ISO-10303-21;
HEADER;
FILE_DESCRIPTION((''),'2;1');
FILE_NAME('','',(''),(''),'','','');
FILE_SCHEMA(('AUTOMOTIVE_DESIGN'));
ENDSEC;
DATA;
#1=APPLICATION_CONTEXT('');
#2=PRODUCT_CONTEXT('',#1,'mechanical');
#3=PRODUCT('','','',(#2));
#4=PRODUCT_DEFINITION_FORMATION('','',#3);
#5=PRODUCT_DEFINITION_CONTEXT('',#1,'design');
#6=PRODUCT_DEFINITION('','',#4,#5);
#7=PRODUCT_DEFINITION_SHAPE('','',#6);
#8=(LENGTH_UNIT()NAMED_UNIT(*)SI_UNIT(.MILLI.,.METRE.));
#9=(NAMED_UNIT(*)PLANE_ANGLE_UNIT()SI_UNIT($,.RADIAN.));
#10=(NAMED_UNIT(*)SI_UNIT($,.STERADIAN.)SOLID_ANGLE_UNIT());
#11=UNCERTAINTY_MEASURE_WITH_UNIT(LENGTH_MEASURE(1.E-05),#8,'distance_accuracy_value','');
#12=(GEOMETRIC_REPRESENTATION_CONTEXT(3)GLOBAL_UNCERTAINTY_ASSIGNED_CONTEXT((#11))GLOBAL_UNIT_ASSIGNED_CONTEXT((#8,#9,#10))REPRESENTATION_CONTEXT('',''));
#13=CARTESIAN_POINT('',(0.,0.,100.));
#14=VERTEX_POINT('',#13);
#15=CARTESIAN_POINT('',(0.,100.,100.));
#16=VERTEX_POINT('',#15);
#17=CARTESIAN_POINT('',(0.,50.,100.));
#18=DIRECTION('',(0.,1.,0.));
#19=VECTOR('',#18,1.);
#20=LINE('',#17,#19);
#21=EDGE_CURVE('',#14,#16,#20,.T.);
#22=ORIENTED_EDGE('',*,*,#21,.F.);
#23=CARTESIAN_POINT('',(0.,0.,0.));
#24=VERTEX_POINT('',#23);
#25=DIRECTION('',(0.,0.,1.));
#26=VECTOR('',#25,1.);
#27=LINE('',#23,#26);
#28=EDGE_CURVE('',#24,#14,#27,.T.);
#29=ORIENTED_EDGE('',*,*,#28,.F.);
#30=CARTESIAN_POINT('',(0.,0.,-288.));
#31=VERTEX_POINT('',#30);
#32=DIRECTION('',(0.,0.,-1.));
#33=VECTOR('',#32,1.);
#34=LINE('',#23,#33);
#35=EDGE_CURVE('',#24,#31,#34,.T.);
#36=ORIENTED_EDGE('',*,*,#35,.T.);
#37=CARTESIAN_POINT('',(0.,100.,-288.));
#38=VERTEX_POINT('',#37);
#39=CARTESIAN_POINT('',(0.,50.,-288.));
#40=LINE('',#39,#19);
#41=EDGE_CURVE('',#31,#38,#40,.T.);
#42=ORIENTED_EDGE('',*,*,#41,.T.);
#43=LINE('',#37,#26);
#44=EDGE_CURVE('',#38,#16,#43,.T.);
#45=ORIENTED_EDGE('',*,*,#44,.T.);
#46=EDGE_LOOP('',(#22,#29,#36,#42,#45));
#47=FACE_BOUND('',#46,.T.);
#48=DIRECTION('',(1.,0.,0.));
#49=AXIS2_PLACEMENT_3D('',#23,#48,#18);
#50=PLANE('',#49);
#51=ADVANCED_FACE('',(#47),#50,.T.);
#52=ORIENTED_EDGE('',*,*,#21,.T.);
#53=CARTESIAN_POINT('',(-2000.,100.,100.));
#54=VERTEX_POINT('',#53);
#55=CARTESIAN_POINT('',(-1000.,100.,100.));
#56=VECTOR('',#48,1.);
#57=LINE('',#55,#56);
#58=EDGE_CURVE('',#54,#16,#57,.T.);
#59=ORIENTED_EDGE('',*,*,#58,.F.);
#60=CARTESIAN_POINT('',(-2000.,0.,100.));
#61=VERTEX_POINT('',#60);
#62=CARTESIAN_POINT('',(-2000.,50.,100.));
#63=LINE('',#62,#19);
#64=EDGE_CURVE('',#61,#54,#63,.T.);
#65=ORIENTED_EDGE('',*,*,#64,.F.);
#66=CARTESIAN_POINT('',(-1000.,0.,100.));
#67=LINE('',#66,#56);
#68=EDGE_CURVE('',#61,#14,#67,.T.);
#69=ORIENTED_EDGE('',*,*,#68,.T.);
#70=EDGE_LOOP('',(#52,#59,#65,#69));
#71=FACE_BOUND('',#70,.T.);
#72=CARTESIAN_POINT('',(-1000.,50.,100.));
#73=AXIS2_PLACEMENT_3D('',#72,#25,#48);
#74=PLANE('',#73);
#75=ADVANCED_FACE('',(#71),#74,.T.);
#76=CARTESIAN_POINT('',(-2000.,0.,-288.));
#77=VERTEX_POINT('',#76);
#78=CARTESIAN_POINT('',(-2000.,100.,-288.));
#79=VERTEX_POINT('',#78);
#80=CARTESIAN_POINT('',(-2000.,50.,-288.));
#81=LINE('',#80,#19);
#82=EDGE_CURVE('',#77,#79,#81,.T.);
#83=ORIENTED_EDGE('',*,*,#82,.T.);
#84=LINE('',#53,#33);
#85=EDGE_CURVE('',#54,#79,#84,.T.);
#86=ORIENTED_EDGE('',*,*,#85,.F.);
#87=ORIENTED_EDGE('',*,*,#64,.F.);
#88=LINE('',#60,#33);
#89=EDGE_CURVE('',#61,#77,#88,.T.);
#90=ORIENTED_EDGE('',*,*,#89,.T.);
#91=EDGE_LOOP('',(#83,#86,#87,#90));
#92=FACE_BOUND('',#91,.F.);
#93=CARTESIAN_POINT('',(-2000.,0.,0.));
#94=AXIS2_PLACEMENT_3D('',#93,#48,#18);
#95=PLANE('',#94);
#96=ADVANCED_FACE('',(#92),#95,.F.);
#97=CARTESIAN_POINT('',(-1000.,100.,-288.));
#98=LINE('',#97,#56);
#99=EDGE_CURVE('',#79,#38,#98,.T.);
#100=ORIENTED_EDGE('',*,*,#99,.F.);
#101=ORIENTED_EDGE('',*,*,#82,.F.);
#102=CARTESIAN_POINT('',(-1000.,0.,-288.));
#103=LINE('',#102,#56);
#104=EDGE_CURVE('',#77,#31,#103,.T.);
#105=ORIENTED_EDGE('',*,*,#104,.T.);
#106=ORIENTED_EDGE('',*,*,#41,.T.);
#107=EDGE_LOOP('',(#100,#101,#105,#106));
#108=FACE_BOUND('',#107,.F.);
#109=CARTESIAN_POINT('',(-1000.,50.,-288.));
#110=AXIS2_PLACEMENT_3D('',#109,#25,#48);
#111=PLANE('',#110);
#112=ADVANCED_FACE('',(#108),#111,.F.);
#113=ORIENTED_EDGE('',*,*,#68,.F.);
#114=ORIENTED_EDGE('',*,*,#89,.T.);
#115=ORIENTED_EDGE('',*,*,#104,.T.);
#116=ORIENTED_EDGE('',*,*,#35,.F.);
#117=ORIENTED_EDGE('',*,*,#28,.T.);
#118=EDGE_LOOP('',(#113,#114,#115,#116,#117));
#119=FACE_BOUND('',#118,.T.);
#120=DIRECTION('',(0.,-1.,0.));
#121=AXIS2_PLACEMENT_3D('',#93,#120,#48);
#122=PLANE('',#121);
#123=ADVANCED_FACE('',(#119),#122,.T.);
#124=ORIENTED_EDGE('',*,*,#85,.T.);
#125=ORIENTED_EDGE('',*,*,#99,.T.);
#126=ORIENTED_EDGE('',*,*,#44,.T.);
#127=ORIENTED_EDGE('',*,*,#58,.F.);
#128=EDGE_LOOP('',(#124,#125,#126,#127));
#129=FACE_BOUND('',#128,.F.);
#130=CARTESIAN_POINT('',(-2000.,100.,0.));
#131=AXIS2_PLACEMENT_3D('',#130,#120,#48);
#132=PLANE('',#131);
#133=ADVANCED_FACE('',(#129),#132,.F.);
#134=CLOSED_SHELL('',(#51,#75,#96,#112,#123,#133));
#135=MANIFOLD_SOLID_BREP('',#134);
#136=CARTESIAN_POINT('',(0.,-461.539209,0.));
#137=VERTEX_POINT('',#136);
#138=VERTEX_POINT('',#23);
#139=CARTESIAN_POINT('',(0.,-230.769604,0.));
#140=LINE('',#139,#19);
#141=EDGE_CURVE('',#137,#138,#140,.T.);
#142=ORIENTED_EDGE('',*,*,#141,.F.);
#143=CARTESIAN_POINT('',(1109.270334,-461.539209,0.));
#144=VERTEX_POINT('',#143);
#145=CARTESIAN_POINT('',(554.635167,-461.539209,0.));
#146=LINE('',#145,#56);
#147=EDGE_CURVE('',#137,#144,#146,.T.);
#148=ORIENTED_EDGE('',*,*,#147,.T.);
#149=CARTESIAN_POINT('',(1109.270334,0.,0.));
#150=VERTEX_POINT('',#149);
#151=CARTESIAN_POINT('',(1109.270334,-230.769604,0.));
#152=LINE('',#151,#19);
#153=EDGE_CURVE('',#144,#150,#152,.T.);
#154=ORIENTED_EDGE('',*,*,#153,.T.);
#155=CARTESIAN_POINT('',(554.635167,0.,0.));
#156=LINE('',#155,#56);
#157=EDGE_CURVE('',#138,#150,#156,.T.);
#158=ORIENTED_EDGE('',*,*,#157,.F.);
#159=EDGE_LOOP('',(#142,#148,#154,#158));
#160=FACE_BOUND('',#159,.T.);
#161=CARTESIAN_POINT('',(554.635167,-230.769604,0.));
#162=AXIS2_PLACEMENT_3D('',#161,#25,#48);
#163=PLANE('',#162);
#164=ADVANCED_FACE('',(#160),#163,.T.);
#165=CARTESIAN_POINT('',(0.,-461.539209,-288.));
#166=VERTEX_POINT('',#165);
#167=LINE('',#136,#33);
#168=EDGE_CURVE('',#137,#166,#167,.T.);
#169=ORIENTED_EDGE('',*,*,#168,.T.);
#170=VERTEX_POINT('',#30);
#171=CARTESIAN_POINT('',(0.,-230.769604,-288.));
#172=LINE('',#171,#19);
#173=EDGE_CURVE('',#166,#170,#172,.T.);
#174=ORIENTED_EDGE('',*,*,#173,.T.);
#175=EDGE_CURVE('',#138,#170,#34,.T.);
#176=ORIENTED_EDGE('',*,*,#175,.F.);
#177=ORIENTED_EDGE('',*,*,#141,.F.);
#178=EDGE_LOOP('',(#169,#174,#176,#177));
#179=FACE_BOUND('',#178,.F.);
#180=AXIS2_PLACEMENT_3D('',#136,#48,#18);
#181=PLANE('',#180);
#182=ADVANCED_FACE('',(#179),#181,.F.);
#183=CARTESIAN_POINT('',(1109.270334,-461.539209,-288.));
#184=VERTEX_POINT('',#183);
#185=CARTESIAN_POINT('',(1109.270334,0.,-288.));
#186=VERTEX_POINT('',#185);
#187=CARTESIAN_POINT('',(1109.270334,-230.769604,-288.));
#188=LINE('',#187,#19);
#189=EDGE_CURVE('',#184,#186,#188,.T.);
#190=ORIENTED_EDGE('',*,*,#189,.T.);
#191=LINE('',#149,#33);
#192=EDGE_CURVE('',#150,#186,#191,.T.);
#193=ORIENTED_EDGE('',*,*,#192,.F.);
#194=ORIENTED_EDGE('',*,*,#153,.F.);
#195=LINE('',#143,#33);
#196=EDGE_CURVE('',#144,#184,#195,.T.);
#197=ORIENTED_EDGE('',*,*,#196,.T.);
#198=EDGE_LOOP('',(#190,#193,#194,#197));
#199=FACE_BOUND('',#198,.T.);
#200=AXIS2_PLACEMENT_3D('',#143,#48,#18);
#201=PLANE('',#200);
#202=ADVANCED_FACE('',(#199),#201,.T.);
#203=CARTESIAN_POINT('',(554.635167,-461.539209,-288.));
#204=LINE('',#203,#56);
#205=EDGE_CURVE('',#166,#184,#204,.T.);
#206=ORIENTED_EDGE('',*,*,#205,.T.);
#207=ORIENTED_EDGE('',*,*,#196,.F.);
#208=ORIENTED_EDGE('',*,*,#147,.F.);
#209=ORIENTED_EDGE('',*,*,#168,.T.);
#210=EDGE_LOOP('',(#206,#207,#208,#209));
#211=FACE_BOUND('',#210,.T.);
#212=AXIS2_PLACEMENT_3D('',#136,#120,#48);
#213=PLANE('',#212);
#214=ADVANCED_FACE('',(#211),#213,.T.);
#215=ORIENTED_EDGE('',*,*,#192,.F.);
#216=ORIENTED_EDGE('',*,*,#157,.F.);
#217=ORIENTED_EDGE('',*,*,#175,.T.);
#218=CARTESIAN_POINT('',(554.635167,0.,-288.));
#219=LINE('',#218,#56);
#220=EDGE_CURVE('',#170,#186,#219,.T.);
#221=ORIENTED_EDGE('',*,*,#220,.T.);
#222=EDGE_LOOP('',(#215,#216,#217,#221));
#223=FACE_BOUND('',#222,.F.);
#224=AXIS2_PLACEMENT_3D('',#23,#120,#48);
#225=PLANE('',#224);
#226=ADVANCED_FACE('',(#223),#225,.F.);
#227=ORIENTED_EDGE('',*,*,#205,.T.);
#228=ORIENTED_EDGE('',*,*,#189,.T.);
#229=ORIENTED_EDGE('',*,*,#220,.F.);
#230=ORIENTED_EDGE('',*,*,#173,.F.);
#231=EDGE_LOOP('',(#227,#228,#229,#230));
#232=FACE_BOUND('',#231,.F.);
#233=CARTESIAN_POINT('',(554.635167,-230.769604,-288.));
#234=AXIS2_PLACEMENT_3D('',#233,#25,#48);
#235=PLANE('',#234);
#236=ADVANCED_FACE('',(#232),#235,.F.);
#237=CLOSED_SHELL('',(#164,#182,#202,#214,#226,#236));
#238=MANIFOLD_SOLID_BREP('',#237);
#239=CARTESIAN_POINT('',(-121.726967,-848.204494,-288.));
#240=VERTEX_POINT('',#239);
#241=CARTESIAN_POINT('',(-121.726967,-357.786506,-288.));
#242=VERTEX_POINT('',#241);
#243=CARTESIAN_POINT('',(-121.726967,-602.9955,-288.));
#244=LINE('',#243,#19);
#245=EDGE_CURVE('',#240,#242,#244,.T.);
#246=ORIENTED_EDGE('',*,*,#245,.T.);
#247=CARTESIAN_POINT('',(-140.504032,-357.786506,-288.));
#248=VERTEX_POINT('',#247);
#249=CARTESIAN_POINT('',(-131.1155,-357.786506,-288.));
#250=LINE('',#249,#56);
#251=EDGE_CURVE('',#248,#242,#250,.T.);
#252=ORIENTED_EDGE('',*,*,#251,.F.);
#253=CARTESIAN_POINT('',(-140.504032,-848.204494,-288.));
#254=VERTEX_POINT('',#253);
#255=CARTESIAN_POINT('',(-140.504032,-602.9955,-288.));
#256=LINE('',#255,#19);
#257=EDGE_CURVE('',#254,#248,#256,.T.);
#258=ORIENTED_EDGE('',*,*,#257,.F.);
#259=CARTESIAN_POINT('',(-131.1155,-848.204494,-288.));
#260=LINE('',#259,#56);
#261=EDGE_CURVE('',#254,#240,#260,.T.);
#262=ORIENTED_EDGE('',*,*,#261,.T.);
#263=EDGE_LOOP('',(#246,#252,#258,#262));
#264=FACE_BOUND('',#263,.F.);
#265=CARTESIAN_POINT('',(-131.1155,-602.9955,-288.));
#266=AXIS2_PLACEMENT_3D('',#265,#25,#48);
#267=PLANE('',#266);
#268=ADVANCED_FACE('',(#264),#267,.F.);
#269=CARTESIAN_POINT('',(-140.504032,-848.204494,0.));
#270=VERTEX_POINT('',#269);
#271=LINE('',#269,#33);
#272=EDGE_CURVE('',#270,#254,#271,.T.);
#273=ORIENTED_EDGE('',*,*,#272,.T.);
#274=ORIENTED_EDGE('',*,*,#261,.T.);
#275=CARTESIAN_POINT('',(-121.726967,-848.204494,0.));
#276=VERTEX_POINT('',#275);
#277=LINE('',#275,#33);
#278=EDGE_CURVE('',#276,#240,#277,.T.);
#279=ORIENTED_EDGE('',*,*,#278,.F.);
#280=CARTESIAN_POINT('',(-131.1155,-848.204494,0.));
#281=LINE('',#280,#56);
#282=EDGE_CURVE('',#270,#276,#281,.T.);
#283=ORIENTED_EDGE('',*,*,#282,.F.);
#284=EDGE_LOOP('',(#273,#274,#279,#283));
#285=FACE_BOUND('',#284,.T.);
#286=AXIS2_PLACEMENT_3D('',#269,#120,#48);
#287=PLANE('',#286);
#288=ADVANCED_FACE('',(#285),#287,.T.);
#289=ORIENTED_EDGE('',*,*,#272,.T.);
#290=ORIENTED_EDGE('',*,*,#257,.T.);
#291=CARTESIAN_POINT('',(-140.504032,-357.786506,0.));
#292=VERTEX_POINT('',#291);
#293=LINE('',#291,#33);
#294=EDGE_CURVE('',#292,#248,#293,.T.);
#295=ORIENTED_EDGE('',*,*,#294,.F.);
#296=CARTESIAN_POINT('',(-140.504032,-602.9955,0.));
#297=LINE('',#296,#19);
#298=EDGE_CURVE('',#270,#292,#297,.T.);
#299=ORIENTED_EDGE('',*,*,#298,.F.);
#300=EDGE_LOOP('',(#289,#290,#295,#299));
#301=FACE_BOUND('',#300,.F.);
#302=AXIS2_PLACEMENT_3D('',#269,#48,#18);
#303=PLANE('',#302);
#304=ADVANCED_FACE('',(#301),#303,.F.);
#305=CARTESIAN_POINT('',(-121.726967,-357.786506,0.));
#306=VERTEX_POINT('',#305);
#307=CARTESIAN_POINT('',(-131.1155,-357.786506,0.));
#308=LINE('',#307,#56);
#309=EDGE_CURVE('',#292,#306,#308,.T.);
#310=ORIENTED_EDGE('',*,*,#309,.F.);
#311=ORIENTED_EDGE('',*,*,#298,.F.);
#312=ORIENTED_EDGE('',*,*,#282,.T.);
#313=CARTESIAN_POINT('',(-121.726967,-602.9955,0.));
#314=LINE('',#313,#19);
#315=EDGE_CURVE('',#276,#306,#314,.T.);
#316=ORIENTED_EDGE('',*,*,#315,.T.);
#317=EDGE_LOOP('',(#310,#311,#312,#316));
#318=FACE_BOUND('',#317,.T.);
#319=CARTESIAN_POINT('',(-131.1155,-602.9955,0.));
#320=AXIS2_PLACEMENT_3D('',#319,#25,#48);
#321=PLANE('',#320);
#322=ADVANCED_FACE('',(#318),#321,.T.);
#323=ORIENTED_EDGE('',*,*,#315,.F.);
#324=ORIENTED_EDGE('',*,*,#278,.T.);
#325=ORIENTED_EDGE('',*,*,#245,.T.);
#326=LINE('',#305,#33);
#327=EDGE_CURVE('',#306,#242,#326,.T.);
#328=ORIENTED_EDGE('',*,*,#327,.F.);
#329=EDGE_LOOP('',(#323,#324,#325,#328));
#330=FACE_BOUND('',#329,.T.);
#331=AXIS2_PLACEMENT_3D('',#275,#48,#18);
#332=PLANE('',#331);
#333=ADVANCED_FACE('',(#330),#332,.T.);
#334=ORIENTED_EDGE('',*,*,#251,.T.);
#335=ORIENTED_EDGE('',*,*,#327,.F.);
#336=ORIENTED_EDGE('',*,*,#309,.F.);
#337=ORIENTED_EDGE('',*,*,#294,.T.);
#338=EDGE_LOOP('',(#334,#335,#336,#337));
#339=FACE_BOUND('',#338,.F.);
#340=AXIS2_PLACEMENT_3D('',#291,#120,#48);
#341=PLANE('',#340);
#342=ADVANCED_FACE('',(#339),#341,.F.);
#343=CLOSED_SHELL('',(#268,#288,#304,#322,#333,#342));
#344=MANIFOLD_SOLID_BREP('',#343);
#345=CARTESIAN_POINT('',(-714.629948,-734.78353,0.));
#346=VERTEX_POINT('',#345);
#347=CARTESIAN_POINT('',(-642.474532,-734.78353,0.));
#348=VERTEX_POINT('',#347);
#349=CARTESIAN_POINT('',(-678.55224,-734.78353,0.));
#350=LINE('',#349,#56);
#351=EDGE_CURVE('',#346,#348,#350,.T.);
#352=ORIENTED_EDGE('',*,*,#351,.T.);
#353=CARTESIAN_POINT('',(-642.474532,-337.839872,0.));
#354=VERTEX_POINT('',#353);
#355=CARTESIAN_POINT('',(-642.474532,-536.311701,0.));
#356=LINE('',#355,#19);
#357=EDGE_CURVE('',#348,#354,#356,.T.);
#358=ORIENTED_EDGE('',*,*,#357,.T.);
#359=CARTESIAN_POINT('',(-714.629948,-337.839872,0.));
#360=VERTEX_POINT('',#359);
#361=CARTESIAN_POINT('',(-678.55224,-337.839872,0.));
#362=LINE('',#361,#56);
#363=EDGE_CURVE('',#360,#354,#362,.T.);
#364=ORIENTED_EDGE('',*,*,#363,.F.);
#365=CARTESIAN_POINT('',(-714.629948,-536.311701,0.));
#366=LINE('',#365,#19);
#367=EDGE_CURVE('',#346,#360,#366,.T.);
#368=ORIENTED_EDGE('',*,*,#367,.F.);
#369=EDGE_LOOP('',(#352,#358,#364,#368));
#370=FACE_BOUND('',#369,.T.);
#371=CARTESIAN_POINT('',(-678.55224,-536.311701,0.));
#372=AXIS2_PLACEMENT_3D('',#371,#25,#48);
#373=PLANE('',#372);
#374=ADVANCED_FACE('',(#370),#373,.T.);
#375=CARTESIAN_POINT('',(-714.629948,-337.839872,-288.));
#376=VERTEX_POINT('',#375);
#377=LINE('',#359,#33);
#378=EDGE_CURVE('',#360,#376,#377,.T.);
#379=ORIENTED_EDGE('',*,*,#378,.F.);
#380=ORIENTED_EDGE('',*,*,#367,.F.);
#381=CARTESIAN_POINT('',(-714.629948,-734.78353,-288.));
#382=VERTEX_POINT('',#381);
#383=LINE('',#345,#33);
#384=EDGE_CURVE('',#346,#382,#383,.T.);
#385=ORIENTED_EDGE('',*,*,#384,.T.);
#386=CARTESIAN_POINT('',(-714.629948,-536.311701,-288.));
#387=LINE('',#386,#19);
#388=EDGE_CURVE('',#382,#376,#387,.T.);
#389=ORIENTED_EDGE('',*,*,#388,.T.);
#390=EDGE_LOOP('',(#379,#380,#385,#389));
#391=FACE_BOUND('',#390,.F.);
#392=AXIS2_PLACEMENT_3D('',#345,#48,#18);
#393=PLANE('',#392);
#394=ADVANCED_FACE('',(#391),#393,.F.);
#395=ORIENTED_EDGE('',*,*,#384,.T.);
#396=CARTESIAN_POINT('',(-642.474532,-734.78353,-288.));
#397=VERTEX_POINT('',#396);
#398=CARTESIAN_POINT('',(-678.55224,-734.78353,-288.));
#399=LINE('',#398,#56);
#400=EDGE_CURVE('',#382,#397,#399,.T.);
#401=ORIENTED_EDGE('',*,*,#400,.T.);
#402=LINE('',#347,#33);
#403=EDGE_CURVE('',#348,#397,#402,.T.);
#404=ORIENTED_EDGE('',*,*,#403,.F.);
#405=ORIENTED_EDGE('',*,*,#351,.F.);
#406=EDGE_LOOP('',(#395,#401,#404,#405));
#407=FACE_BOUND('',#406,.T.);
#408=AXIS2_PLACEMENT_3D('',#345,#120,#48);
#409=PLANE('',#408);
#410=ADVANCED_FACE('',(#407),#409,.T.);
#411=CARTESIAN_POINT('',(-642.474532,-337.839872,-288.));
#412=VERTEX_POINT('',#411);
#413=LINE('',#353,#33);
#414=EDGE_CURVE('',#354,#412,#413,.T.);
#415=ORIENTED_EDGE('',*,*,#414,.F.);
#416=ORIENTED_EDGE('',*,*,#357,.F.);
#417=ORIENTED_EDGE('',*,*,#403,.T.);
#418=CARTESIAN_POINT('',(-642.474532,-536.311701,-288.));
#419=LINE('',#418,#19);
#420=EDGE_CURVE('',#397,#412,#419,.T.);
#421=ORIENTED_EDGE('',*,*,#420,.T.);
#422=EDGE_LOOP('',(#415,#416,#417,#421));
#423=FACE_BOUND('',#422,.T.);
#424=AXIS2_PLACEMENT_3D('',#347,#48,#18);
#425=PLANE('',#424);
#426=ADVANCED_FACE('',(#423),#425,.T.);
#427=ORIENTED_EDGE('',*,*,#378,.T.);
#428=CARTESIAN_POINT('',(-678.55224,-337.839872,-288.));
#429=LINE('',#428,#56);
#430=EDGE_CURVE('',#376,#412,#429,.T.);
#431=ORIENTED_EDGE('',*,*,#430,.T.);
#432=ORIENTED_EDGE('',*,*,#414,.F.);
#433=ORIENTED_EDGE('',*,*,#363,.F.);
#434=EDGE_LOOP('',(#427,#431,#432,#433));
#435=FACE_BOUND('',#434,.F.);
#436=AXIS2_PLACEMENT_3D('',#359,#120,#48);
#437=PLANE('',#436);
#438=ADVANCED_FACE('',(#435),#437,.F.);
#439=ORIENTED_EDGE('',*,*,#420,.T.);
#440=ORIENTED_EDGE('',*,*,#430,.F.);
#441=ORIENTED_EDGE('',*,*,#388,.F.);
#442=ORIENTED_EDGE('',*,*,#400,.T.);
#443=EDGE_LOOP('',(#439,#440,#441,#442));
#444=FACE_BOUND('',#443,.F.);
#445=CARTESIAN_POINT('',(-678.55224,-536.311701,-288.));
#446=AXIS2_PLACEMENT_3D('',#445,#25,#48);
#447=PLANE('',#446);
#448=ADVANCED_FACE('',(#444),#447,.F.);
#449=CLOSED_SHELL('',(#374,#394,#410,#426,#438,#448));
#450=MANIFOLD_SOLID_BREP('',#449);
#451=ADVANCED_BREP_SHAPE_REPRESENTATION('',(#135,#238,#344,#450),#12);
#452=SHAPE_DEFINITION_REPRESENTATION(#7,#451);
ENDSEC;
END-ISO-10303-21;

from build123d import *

# Parameters (mm, degrees)
F0_W     = 2000
F0_H     = 100
F1_DEPTH = 100
F0_W_2   = 1109.2703342438
F0_H_2   = 461.539208889
F2_DEPTH = 288
F0_W_3   = 72.1554160118
F0_H_3   = 396.9436585903
F0_W_4   = 18.7770649791
F0_H_4   = 490.4179871082


with BuildPart() as f1:
    # F0 (on Top) → F1 (new body)
    with BuildSketch(Plane.XY):
        with Locations((-1000, 50)):
            Rectangle(F0_W, F0_H)
    extrude(amount=F1_DEPTH)

    # F0 (on Top) → F2 (join)
    with BuildSketch(Plane.XY):
        with Locations((554.6351671219, -230.7696044445)):
            Rectangle(F0_W_2, F0_H_2)
        with Locations((-1000, 50)):
            Rectangle(F0_W, F0_H)
    extrude(amount=-F2_DEPTH)


with BuildPart() as f2:
    # F0 (on Top) → F2, piece 2 (new body)
    with BuildSketch(Plane.XY):
        with Locations((-678.5522401333, -536.3117009401)):
            Rectangle(F0_W_3, F0_H_3)
    extrude(amount=-F2_DEPTH)


with BuildPart() as f2b:
    # F0 (on Top) → F2, piece 3 (new body)
    with BuildSketch(Plane.XY):
        with Locations((-131.1154998839, -602.9954999685)):
            Rectangle(F0_W_4, F0_H_4)
    extrude(amount=-F2_DEPTH)


solid = Compound([f1.part, f2.part, f2b.part])
